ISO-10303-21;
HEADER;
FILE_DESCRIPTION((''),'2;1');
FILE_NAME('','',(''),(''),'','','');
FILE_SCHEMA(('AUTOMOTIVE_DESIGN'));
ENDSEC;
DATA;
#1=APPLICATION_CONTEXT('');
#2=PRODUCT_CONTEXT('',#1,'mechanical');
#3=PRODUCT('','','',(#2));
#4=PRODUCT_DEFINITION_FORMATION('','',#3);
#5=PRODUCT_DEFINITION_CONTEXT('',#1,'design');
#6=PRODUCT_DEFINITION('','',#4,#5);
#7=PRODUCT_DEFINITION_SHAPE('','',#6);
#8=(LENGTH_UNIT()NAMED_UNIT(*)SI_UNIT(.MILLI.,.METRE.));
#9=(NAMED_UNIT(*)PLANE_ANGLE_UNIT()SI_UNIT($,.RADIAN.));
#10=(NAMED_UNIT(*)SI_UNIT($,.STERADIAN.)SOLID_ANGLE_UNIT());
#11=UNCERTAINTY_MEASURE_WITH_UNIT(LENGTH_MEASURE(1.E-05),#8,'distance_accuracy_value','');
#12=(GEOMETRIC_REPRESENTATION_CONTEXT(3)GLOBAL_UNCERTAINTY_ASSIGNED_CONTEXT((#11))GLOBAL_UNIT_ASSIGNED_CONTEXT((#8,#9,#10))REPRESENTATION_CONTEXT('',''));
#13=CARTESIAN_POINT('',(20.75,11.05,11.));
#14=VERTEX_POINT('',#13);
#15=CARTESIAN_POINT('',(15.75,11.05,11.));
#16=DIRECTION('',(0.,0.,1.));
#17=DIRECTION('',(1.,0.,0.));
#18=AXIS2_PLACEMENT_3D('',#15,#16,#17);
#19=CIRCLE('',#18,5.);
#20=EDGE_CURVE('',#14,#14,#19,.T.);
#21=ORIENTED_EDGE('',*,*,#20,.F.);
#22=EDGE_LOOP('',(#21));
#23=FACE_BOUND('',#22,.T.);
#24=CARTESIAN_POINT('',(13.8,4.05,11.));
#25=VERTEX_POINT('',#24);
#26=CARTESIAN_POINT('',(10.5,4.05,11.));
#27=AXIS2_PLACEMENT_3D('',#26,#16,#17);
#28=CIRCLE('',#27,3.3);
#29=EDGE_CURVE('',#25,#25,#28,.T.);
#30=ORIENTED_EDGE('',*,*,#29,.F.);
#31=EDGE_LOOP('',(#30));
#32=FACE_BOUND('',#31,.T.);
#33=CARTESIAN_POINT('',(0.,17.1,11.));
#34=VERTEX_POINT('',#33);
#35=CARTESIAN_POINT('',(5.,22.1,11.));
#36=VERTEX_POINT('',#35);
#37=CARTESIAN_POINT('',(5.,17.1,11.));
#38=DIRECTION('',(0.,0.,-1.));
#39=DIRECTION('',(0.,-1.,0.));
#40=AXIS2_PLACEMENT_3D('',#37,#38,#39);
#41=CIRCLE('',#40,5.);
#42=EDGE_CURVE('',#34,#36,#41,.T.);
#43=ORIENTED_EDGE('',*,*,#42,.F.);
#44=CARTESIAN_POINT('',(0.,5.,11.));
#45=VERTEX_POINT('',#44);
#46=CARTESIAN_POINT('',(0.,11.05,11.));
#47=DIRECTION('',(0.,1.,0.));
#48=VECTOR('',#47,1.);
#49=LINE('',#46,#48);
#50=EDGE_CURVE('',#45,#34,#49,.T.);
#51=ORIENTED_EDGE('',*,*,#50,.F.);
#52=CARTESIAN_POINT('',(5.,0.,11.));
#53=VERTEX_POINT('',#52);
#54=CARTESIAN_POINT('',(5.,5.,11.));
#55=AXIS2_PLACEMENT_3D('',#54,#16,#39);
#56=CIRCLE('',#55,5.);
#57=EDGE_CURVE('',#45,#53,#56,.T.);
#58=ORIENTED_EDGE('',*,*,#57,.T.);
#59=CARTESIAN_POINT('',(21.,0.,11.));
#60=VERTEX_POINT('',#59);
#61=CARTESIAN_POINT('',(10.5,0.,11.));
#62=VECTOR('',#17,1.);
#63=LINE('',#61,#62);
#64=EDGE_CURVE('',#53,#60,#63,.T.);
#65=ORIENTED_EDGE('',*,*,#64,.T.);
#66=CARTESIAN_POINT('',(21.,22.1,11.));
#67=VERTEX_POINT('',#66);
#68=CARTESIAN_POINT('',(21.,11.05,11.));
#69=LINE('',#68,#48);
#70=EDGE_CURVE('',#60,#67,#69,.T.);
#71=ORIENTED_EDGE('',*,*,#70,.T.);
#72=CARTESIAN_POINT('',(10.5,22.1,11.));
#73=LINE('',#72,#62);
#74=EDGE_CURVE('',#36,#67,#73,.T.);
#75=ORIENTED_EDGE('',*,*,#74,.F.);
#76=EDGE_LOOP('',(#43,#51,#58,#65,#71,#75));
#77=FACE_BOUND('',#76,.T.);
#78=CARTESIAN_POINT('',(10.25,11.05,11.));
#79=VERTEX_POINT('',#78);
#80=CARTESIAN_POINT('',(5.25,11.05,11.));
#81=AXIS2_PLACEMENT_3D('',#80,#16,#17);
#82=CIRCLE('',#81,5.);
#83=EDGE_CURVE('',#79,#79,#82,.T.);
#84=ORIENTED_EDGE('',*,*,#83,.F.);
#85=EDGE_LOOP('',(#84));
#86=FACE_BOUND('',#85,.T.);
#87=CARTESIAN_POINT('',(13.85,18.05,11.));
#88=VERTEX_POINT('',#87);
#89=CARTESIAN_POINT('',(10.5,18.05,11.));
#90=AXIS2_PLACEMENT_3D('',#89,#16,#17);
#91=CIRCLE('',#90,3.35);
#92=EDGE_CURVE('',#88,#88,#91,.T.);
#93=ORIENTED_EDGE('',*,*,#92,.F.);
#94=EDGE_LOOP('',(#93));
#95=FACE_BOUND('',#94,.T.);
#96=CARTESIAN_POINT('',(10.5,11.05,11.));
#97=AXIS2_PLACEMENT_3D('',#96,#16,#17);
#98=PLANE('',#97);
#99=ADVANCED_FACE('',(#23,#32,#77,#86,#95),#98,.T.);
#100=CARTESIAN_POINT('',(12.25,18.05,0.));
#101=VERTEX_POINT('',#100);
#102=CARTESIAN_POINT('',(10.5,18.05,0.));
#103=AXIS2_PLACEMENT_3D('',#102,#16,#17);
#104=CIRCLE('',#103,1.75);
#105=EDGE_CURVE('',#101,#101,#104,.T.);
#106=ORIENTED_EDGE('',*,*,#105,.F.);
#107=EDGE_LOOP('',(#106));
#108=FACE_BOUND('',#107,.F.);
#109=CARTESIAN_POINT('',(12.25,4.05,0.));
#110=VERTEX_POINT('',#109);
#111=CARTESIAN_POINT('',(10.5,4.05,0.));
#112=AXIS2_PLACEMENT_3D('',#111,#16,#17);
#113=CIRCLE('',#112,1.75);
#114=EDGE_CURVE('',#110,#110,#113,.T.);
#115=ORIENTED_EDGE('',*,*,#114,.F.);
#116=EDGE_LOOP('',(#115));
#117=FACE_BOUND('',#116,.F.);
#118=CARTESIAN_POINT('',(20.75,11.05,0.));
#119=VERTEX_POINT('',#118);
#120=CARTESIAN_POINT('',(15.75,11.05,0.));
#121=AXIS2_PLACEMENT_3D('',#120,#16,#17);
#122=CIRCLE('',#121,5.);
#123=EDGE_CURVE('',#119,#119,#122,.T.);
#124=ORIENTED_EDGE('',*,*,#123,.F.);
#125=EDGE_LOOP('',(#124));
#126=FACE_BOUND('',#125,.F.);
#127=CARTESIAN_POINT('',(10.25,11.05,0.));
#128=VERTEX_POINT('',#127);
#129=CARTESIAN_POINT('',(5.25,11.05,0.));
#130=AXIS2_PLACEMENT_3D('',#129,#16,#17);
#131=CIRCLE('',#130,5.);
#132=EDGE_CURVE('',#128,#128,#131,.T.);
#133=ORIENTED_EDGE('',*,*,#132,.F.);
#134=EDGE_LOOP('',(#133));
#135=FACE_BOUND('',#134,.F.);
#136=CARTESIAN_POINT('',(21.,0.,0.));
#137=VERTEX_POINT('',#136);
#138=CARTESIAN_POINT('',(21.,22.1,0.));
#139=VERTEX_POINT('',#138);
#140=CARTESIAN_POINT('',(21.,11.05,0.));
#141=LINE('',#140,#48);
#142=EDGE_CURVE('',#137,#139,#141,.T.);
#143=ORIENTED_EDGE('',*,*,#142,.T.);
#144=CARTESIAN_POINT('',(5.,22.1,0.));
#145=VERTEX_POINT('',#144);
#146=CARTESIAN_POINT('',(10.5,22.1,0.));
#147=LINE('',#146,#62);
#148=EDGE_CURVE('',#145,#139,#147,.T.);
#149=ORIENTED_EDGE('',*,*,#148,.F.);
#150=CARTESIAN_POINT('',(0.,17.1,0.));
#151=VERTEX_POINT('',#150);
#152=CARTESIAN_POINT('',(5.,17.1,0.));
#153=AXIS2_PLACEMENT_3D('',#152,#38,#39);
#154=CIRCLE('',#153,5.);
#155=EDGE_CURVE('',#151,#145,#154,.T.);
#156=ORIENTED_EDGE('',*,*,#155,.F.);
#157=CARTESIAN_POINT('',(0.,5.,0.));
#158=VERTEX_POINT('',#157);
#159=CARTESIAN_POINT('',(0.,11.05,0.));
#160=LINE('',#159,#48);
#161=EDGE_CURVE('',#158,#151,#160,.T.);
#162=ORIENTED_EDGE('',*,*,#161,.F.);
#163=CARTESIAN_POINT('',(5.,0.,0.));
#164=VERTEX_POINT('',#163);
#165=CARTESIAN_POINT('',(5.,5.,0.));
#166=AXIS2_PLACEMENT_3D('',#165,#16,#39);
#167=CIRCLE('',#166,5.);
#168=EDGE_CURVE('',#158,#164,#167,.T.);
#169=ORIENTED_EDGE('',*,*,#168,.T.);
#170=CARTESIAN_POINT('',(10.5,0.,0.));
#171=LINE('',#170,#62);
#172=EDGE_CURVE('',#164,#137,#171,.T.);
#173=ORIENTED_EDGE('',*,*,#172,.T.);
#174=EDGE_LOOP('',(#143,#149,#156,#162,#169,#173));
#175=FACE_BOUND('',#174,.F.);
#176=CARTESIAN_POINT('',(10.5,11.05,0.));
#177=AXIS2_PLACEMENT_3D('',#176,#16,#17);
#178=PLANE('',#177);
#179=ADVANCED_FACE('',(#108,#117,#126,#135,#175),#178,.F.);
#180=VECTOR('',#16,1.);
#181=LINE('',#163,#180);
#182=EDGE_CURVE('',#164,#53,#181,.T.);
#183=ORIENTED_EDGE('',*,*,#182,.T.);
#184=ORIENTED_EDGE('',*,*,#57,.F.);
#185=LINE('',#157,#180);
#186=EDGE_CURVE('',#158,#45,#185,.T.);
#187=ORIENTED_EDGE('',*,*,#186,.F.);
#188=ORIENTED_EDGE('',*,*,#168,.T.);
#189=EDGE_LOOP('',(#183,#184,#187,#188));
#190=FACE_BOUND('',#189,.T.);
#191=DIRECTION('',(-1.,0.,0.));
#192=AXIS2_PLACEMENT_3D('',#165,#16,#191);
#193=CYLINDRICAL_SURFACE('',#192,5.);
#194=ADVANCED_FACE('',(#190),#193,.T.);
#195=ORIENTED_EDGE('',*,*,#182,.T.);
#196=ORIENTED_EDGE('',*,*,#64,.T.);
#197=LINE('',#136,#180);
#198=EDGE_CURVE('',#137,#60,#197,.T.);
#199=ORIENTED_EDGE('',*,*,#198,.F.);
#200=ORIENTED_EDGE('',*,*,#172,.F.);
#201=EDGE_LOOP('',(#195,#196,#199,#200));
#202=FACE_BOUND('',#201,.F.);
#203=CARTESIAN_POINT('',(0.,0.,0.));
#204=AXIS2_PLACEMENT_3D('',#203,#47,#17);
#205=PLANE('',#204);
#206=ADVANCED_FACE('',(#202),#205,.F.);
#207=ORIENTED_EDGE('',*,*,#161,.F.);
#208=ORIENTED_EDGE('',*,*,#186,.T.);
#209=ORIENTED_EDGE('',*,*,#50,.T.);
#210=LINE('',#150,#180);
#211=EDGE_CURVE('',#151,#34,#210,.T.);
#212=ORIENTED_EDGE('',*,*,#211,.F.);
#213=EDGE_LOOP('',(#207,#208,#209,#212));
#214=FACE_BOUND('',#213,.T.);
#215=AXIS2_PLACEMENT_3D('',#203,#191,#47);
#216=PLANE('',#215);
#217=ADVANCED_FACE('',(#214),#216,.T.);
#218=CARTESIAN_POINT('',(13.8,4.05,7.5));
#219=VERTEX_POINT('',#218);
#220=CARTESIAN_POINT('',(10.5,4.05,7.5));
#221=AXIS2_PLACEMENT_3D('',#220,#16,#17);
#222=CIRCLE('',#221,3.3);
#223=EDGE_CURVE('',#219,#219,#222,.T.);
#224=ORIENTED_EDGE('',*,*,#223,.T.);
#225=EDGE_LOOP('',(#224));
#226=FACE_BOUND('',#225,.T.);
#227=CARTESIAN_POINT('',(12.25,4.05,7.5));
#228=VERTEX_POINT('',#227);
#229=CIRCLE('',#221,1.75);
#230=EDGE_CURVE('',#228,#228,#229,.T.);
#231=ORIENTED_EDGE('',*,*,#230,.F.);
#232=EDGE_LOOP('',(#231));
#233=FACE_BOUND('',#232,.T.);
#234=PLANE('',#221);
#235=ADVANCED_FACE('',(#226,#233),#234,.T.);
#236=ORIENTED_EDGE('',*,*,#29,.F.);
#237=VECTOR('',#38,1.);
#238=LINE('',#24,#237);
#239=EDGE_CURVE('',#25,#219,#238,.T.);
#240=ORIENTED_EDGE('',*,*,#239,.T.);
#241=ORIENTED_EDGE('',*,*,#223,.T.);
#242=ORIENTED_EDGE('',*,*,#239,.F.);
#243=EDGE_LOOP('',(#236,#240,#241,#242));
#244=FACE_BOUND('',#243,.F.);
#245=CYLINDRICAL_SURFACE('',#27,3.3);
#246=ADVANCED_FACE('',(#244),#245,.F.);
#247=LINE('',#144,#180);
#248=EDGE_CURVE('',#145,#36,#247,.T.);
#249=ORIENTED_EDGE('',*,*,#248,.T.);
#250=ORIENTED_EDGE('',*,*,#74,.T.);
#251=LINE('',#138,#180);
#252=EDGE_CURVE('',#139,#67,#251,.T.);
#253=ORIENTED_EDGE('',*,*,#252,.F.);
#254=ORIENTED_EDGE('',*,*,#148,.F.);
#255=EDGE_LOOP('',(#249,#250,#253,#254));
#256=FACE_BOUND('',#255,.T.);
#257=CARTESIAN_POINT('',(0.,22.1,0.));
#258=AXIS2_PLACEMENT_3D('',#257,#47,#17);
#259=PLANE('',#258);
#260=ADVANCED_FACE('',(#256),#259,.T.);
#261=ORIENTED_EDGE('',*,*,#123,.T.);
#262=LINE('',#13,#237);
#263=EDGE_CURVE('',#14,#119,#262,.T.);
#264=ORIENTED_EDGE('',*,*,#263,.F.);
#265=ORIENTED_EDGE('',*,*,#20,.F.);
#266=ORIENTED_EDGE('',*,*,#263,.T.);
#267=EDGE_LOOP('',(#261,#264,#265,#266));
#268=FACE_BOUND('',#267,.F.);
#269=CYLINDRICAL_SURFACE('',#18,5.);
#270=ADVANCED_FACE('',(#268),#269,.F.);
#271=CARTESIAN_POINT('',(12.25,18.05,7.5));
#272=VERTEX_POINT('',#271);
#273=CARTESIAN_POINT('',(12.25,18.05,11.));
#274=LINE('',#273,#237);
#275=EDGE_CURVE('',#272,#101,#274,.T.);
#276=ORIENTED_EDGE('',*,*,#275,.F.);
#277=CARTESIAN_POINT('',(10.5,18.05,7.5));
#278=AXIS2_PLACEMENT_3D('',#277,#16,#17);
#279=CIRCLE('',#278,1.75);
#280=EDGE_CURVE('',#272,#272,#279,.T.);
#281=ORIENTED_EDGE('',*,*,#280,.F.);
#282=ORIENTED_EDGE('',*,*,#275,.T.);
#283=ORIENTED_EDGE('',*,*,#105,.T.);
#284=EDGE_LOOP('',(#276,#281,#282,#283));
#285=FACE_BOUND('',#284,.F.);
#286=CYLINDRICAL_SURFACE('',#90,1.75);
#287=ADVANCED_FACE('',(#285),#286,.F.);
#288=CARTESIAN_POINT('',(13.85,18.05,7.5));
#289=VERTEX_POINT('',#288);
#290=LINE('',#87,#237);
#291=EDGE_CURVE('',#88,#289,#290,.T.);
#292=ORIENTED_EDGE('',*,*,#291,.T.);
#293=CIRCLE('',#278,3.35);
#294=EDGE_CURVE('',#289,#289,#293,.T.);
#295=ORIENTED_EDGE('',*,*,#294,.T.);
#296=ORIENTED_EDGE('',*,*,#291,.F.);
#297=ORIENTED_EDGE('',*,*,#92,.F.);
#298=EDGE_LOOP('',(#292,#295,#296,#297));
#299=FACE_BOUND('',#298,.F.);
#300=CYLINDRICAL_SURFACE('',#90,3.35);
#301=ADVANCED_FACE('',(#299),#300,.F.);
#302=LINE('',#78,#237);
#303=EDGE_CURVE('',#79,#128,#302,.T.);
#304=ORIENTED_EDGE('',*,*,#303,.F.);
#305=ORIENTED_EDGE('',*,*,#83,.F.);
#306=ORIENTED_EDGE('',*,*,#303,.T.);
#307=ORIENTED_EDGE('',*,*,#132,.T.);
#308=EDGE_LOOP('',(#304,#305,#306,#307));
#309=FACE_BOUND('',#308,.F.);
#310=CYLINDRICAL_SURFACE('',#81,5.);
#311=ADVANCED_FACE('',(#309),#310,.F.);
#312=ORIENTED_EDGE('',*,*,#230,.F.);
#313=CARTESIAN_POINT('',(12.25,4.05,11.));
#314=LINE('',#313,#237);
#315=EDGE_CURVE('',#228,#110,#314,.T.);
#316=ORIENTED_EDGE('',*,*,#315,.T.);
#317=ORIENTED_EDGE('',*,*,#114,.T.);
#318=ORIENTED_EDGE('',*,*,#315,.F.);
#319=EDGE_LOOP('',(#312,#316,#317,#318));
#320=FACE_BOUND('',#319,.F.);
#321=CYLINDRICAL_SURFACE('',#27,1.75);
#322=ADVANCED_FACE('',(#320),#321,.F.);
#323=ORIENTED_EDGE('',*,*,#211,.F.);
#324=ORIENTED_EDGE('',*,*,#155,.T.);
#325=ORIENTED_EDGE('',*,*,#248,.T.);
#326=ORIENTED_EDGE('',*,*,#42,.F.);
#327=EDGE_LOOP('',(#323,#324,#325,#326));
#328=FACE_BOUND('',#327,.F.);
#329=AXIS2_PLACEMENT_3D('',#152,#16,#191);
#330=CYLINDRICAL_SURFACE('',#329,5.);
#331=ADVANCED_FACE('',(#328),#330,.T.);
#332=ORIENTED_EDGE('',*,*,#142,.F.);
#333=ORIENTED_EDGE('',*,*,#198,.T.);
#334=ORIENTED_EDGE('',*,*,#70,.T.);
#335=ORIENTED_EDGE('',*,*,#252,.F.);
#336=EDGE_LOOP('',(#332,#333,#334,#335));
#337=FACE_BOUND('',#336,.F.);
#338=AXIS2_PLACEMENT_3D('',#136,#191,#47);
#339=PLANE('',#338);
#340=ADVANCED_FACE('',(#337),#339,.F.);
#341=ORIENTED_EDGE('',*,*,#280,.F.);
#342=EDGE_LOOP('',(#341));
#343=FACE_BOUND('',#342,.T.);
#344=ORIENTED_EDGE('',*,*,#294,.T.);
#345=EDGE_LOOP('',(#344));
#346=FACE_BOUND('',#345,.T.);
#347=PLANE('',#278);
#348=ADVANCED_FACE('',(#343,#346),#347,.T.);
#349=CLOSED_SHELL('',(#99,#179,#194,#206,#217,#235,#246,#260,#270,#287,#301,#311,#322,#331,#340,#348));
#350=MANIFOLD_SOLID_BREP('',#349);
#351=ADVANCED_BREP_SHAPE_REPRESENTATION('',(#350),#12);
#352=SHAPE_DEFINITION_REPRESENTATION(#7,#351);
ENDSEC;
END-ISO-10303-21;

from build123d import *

# Parameters (mm, degrees)
F0_W     = 21
F0_H     = 22.1
F1_DEPTH = 11
F2_R     = 1.75
F3_DEPTH = 25
F2_R_2   = 3.35
F2_R_3   = 3.3
F4_DEPTH = 3.5
F6_R     = 5
F5_R     = 5
F7_DEPTH = 25


with BuildPart() as f1:
    # F0 (on Top) → F1 (new body)
    with BuildSketch(Plane.XY):
        with Locations((10.5, 11.05)):
            Rectangle(F0_W, F0_H)
    extrude(amount=F1_DEPTH)

    # F2 (on face) → F3 (cut)
    with BuildSketch(Plane.XY.offset(11)):
        with Locations((10.5, 18.05)):
            Circle(F2_R)
        with Locations((10.5, 4.05)):
            Circle(F2_R)
    extrude(amount=-F3_DEPTH, mode=Mode.SUBTRACT)

    # F2 (on face) → F4 (cut)
    with BuildSketch(Plane.XY.offset(11)):
        with Locations((10.5, 18.05)):
            Circle(F2_R_2)
        with Locations((10.5, 18.05)):
            Circle(F2_R, mode=Mode.SUBTRACT)
        with Locations((10.5, 4.05)):
            Circle(F2_R_3)
        with Locations((10.5, 4.05)):
            Circle(F2_R, mode=Mode.SUBTRACT)
    extrude(amount=-F4_DEPTH, mode=Mode.SUBTRACT)

    # F6
    f6_edges = [f1.edges().sort_by_distance(p)[0] for p in [
        (0, 22.1, 5.5),
        (0, 0, 5.5),
    ]]
    fillet(f6_edges, radius=F6_R)

    # F5 (on face) → F7 (cut)
    with BuildSketch(Plane.XY.offset(11)):
        with Locations((5.25, 11.05)):
            Circle(F5_R)
        with Locations((15.75, 11.05)):
            Circle(F5_R)
    extrude(amount=-F7_DEPTH, mode=Mode.SUBTRACT)


solid = f1.part
